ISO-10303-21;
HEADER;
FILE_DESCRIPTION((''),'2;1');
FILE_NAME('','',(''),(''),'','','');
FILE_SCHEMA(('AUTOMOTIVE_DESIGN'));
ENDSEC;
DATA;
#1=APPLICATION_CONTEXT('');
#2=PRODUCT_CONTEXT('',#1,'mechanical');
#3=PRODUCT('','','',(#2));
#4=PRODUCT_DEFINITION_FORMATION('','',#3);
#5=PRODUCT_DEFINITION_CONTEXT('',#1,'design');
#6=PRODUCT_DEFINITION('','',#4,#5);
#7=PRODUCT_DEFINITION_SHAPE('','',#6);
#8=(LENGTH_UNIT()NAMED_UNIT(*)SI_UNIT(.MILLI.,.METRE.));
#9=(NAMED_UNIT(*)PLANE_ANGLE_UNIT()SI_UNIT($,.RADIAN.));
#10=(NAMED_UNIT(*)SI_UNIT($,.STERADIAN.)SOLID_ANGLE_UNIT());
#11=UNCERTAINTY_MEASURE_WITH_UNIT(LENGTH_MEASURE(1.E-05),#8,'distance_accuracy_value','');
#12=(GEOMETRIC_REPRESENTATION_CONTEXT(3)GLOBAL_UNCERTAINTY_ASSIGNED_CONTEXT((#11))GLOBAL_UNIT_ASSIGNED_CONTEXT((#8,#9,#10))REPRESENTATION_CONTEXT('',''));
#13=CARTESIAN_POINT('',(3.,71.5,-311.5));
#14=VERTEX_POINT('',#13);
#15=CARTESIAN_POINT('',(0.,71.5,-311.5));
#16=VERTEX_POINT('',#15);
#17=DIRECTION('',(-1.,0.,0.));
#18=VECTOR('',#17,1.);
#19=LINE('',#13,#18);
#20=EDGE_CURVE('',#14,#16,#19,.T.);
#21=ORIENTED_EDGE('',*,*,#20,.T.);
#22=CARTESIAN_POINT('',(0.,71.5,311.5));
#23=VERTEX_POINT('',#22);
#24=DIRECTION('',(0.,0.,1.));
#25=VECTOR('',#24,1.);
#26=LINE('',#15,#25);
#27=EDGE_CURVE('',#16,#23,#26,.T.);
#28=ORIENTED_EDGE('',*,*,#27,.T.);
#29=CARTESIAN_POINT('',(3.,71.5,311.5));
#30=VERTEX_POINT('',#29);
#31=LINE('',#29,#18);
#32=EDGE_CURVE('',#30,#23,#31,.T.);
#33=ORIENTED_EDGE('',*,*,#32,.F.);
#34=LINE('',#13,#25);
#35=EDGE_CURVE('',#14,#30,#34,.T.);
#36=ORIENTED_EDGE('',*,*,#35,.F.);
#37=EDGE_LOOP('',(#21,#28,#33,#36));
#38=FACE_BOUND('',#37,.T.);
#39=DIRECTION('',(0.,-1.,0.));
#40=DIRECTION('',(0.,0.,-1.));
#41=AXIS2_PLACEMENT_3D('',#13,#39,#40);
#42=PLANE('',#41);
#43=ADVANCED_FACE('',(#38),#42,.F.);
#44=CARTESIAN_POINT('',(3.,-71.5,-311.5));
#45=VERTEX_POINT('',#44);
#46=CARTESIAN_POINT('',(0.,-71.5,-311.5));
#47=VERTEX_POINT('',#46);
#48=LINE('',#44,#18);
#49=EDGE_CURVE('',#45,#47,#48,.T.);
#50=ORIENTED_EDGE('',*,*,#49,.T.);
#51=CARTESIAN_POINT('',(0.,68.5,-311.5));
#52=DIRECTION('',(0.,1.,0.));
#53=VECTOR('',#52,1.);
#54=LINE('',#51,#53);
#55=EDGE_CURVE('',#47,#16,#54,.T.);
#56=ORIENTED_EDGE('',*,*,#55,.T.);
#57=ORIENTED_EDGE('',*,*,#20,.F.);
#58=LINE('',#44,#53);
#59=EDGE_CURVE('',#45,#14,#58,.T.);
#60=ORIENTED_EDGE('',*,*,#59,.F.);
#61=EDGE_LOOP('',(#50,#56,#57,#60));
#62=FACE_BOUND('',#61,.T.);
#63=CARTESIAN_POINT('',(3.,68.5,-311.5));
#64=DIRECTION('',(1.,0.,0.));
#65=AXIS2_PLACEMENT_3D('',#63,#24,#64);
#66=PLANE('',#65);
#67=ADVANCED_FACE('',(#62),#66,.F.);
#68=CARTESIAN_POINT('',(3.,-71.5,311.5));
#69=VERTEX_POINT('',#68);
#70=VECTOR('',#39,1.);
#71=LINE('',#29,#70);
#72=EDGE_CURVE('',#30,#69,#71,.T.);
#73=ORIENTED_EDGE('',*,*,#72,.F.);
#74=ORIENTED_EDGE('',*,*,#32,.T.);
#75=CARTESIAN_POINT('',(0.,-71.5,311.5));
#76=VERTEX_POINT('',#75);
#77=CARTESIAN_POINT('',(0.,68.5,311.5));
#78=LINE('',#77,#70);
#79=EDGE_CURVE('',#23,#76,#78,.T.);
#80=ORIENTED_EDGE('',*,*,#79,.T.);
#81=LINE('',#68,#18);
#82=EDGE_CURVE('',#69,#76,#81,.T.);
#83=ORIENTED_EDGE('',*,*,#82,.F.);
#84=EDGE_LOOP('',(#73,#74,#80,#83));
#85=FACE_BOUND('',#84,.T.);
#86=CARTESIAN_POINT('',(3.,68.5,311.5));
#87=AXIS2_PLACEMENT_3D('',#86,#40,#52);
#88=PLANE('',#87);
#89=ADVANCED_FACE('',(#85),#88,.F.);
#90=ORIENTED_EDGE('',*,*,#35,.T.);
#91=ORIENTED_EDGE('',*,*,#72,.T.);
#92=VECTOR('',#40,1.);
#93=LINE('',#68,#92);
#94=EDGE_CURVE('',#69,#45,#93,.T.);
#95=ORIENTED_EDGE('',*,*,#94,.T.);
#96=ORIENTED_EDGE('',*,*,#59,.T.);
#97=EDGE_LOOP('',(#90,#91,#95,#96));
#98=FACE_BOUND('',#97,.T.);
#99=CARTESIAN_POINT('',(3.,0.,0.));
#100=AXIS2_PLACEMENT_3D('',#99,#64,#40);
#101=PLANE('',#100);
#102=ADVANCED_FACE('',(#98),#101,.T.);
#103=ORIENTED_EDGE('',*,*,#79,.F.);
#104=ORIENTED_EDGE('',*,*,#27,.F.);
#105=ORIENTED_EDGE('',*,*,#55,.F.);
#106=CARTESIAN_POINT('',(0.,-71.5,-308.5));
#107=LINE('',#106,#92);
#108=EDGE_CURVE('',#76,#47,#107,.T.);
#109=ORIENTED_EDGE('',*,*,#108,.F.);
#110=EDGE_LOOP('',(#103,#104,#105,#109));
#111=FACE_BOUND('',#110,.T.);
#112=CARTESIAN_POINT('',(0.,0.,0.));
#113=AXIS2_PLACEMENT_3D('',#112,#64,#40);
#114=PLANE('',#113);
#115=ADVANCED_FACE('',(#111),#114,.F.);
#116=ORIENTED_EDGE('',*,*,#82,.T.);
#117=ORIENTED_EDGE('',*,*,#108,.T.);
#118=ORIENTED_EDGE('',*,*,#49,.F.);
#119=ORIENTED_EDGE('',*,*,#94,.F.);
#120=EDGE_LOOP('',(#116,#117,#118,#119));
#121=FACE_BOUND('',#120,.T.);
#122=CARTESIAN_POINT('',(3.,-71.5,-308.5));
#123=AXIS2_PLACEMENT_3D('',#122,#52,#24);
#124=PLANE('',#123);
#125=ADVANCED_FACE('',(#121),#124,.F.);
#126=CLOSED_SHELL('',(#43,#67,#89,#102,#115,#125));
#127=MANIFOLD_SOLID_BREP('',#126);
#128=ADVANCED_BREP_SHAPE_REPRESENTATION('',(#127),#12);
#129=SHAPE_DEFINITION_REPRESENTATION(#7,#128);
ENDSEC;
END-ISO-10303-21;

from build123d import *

# Parameters (mm, degrees)
BOSS_EXTRUDE1_DEPTH = 3


with BuildPart() as part:
    # Sketch1 → Boss-Extrude1 (new body)
    with BuildSketch(Plane(origin=(0, 0, 0), x_dir=(0, 0, -1), z_dir=(1, 0, 0))):
        Polygon((-311.5, 68.5), (-311.5, -71.5), (308.5, -71.5), (311.5, -71.5), (311.5, 68.5), (311.5, 71.5), (-311.5, 71.5), align=None)
    extrude(amount=BOSS_EXTRUDE1_DEPTH)


solid = part.part
